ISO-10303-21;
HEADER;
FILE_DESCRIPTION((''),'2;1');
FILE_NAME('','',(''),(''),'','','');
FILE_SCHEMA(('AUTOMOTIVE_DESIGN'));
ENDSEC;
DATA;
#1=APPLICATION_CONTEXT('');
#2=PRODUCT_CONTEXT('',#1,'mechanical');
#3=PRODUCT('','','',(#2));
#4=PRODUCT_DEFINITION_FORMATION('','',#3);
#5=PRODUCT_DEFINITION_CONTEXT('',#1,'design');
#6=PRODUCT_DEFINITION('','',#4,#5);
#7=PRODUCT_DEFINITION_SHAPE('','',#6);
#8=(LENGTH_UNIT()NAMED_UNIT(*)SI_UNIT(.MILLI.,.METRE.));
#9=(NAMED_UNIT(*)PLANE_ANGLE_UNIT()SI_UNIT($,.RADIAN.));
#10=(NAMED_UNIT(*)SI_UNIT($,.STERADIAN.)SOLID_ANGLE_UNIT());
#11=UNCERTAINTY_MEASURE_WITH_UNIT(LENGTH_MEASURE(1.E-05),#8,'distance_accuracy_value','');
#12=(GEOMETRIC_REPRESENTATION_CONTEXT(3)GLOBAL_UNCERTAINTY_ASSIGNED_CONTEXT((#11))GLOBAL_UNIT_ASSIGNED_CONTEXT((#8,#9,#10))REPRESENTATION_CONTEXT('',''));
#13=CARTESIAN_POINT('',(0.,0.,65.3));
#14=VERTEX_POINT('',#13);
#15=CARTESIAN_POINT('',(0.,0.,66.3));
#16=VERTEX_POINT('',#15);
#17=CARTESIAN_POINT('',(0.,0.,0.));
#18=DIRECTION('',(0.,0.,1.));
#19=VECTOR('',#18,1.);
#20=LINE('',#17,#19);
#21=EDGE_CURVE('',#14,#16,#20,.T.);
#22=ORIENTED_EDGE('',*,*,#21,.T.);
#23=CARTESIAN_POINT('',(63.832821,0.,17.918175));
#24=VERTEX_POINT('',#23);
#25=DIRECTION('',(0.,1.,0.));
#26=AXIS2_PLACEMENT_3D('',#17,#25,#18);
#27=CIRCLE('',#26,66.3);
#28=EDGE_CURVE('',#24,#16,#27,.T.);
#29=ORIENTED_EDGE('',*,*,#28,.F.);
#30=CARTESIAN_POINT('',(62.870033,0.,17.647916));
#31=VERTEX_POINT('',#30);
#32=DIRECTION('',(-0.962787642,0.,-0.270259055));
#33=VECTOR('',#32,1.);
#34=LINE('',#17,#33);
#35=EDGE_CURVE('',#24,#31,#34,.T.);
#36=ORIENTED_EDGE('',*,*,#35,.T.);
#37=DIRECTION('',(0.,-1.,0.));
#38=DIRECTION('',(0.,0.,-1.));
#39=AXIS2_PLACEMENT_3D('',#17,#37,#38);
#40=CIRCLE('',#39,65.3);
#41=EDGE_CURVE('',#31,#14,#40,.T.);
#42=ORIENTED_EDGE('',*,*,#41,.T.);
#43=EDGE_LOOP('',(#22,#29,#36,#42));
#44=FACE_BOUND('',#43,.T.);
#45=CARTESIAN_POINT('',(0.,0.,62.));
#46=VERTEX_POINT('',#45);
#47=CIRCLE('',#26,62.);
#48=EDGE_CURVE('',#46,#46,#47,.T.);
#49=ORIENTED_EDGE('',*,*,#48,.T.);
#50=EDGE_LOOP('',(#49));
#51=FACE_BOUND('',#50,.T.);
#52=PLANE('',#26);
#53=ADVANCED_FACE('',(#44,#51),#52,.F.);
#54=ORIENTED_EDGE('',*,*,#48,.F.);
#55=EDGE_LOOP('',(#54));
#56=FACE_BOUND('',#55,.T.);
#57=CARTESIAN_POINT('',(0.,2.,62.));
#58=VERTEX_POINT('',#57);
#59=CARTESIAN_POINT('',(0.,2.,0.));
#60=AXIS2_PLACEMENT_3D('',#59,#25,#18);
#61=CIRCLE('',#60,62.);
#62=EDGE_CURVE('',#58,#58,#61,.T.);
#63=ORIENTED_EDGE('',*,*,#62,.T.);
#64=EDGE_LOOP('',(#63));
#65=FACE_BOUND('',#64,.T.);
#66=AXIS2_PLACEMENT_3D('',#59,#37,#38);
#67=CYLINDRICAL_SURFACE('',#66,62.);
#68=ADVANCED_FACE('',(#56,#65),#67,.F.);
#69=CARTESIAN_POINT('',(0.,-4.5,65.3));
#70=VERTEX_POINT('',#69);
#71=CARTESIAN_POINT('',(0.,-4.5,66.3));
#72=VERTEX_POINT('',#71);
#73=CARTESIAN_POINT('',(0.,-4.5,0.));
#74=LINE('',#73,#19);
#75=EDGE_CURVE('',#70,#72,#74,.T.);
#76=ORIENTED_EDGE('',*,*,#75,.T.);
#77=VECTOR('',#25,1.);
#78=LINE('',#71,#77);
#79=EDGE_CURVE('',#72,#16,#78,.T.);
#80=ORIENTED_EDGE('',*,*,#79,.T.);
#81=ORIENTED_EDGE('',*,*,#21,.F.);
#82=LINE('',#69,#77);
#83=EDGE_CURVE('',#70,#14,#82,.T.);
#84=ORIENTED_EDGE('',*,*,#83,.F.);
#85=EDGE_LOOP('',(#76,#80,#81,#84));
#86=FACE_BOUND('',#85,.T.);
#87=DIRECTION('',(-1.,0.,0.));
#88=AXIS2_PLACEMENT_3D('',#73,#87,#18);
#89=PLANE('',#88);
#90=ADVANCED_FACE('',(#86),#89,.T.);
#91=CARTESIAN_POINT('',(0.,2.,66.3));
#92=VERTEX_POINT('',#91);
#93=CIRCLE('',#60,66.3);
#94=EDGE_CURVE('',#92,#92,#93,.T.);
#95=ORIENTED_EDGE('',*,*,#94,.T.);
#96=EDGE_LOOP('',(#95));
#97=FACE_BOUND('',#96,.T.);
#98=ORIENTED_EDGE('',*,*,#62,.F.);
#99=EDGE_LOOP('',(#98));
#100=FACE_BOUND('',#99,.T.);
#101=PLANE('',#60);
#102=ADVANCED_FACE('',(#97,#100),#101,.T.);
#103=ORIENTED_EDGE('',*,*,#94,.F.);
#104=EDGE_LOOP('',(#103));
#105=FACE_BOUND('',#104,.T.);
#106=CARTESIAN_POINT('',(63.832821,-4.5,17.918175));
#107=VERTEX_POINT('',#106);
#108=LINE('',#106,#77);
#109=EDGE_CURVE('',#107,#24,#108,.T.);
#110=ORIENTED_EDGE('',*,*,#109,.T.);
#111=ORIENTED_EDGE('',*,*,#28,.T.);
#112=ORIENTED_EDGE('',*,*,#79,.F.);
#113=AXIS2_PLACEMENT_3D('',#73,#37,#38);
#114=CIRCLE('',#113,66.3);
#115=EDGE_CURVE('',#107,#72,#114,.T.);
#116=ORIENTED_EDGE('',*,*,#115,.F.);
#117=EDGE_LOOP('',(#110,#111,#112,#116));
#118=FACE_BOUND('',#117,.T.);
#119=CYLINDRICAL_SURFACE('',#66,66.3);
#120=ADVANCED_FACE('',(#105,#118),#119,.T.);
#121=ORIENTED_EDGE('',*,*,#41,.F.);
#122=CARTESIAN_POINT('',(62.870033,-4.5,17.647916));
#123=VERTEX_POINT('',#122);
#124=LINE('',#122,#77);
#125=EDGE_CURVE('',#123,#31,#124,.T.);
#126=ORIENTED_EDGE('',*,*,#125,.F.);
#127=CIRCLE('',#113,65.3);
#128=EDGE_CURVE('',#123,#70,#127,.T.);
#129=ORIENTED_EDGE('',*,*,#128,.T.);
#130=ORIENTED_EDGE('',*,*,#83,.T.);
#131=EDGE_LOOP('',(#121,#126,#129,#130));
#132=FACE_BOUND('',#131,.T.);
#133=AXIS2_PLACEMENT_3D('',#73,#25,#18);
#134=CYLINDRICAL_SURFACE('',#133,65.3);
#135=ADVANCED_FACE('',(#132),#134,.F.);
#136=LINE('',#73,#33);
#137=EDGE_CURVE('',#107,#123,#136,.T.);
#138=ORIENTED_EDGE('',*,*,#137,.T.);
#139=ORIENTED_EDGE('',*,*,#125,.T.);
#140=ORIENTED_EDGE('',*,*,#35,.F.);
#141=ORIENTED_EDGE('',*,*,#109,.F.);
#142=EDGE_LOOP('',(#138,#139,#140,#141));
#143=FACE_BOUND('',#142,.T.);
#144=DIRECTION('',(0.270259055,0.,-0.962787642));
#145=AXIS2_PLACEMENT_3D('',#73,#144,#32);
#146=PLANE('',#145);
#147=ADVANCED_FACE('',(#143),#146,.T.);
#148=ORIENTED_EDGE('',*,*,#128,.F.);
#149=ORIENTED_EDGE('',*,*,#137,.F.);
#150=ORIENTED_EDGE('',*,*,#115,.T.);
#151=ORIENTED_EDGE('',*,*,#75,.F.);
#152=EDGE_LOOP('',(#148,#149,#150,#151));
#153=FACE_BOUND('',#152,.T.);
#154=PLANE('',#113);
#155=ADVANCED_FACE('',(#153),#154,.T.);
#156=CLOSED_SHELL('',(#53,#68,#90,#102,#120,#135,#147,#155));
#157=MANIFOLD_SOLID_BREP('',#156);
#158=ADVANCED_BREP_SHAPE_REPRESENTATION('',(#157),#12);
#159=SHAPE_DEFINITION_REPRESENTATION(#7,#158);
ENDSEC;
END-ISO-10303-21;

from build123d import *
from build123d.topology import SkipClean

# Parameters (mm, degrees)
SKETCH2_R           = 66.3
SKETCH2_R_2         = 62
BOSS_EXTRUDE1_DEPTH = 2
BOSS_EXTRUDE2_START = 4.5
BOSS_EXTRUDE2_DEPTH = 4.5


with BuildPart() as part:
    # Sketch2 → Boss-Extrude1 (new body)
    with BuildSketch(Plane(origin=(0, 0, 0), x_dir=(1, 0, 0), z_dir=(0, 1, 0))):
        with Locations(Location((0, 0, 0), (0, 0, 270))):
            Circle(SKETCH2_R)
        with Locations(Location((0, 0, 0), (0, 0, 270))):
            Circle(SKETCH2_R_2, mode=Mode.SUBTRACT)
    extrude(amount=BOSS_EXTRUDE1_DEPTH)

    # Sketch3 → Boss-Extrude2 (add)
    with SkipClean():  # the faces are left unmerged after this step: merging them gives an invalid solid
        with BuildSketch(Plane.XZ.offset(BOSS_EXTRUDE2_START)):
            with BuildLine():
                Line((0, 66.3), (0, 65.3))
                ThreePointArc((0, 65.3), (39.444144484, 52.040844209), (62.870033017, 17.647916262))
                Line((62.870033017, 17.647916262), (63.832820659, 17.918175317))
                ThreePointArc((63.832820659, 17.918175317), (40.048189575, 52.83779435), (0, 66.3))
            make_face()
        extrude(amount=-BOSS_EXTRUDE2_DEPTH)


solid = part.part
